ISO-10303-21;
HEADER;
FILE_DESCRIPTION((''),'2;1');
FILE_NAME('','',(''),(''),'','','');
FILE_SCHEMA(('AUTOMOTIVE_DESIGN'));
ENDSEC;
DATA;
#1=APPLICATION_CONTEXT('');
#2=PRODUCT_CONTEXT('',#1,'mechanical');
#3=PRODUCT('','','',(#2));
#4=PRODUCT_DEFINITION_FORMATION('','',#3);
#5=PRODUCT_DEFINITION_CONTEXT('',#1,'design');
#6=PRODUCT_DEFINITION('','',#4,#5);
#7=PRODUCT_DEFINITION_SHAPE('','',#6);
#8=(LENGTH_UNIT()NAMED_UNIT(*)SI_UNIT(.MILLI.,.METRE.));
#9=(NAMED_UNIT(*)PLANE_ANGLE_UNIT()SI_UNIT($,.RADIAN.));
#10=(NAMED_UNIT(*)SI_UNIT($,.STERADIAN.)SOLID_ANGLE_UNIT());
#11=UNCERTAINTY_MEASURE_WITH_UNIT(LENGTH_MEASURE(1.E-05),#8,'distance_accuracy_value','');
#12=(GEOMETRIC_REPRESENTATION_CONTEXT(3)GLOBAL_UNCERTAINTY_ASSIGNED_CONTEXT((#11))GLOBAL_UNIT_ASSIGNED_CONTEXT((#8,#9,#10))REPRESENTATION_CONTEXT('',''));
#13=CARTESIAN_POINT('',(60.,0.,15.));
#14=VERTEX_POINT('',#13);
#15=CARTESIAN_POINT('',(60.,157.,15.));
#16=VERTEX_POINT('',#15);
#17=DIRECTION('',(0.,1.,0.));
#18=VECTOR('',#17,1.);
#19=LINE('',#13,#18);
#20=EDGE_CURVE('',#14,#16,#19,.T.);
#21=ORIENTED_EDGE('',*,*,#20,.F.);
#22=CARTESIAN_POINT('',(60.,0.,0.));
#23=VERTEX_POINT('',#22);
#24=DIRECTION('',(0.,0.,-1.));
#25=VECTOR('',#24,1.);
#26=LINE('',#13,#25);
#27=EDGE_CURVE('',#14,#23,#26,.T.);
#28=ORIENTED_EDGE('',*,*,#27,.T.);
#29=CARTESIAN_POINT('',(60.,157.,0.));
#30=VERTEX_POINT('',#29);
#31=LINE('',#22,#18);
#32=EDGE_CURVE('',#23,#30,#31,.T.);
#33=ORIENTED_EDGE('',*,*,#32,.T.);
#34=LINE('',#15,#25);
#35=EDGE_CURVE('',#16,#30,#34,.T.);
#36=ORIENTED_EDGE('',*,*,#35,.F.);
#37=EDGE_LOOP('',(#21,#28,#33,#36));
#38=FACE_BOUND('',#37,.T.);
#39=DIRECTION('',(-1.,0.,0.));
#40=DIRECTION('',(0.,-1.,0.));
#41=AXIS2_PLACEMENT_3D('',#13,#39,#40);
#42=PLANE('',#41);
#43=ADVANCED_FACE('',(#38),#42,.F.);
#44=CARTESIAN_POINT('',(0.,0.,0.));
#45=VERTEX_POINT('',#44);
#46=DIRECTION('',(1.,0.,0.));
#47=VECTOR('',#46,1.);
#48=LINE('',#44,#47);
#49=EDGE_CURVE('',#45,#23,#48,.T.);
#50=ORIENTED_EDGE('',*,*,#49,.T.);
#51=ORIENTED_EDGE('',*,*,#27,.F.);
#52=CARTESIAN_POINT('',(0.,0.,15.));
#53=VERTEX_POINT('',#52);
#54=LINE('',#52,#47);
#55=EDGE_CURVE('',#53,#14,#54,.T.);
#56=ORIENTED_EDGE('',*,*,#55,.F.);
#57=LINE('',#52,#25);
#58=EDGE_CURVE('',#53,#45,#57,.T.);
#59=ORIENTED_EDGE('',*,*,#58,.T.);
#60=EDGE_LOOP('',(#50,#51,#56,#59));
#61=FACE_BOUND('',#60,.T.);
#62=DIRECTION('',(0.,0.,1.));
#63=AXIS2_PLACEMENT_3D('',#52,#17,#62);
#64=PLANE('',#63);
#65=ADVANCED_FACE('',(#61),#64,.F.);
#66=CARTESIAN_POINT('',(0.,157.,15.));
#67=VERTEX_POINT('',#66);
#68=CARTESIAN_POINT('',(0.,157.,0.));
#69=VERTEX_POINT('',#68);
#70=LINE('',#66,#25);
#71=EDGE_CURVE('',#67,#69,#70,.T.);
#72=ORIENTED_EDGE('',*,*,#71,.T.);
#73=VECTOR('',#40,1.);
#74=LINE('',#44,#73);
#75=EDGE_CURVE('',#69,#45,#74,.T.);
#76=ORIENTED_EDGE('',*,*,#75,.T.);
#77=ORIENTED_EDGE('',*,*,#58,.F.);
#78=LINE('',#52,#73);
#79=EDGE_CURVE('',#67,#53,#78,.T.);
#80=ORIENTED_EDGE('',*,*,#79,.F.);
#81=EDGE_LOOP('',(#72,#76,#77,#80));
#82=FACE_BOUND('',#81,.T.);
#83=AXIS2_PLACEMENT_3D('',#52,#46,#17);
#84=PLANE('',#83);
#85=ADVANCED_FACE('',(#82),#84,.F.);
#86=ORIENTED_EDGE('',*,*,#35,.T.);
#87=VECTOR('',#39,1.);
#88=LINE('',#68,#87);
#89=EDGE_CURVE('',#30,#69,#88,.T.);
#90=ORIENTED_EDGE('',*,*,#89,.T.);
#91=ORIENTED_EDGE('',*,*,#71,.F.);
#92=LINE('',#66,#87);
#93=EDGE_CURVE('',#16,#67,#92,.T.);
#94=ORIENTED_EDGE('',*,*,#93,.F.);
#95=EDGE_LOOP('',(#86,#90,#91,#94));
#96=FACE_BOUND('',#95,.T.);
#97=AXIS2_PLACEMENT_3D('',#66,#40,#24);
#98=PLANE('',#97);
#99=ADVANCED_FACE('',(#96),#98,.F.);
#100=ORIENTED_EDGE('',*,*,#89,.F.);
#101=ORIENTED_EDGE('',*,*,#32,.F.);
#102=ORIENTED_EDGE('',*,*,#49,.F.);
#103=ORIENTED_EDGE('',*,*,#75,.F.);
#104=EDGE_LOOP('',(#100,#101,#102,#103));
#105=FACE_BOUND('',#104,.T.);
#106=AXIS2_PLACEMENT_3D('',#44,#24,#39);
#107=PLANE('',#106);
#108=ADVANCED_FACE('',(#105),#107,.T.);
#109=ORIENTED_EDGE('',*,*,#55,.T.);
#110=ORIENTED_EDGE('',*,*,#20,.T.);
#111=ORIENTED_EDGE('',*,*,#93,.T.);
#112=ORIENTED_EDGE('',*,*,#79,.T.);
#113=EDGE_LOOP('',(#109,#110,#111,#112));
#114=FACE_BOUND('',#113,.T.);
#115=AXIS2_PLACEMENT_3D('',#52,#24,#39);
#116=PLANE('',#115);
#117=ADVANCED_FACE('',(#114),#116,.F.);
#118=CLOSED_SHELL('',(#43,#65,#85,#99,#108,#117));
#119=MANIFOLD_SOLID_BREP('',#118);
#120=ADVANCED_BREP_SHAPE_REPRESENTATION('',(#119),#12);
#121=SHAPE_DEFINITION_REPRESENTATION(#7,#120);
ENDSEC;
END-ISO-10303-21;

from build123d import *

# Parameters (mm, degrees)
SKETCH1_W           = 60
SKETCH1_H           = 157
BOSS_EXTRUDE1_DEPTH = 15


with BuildPart() as part:
    # Sketch1 → Boss-Extrude1 (new body)
    with BuildSketch(Plane.XY):
        with Locations((30, 78.5)):
            Rectangle(SKETCH1_W, SKETCH1_H)
    extrude(amount=BOSS_EXTRUDE1_DEPTH)


solid = part.part
